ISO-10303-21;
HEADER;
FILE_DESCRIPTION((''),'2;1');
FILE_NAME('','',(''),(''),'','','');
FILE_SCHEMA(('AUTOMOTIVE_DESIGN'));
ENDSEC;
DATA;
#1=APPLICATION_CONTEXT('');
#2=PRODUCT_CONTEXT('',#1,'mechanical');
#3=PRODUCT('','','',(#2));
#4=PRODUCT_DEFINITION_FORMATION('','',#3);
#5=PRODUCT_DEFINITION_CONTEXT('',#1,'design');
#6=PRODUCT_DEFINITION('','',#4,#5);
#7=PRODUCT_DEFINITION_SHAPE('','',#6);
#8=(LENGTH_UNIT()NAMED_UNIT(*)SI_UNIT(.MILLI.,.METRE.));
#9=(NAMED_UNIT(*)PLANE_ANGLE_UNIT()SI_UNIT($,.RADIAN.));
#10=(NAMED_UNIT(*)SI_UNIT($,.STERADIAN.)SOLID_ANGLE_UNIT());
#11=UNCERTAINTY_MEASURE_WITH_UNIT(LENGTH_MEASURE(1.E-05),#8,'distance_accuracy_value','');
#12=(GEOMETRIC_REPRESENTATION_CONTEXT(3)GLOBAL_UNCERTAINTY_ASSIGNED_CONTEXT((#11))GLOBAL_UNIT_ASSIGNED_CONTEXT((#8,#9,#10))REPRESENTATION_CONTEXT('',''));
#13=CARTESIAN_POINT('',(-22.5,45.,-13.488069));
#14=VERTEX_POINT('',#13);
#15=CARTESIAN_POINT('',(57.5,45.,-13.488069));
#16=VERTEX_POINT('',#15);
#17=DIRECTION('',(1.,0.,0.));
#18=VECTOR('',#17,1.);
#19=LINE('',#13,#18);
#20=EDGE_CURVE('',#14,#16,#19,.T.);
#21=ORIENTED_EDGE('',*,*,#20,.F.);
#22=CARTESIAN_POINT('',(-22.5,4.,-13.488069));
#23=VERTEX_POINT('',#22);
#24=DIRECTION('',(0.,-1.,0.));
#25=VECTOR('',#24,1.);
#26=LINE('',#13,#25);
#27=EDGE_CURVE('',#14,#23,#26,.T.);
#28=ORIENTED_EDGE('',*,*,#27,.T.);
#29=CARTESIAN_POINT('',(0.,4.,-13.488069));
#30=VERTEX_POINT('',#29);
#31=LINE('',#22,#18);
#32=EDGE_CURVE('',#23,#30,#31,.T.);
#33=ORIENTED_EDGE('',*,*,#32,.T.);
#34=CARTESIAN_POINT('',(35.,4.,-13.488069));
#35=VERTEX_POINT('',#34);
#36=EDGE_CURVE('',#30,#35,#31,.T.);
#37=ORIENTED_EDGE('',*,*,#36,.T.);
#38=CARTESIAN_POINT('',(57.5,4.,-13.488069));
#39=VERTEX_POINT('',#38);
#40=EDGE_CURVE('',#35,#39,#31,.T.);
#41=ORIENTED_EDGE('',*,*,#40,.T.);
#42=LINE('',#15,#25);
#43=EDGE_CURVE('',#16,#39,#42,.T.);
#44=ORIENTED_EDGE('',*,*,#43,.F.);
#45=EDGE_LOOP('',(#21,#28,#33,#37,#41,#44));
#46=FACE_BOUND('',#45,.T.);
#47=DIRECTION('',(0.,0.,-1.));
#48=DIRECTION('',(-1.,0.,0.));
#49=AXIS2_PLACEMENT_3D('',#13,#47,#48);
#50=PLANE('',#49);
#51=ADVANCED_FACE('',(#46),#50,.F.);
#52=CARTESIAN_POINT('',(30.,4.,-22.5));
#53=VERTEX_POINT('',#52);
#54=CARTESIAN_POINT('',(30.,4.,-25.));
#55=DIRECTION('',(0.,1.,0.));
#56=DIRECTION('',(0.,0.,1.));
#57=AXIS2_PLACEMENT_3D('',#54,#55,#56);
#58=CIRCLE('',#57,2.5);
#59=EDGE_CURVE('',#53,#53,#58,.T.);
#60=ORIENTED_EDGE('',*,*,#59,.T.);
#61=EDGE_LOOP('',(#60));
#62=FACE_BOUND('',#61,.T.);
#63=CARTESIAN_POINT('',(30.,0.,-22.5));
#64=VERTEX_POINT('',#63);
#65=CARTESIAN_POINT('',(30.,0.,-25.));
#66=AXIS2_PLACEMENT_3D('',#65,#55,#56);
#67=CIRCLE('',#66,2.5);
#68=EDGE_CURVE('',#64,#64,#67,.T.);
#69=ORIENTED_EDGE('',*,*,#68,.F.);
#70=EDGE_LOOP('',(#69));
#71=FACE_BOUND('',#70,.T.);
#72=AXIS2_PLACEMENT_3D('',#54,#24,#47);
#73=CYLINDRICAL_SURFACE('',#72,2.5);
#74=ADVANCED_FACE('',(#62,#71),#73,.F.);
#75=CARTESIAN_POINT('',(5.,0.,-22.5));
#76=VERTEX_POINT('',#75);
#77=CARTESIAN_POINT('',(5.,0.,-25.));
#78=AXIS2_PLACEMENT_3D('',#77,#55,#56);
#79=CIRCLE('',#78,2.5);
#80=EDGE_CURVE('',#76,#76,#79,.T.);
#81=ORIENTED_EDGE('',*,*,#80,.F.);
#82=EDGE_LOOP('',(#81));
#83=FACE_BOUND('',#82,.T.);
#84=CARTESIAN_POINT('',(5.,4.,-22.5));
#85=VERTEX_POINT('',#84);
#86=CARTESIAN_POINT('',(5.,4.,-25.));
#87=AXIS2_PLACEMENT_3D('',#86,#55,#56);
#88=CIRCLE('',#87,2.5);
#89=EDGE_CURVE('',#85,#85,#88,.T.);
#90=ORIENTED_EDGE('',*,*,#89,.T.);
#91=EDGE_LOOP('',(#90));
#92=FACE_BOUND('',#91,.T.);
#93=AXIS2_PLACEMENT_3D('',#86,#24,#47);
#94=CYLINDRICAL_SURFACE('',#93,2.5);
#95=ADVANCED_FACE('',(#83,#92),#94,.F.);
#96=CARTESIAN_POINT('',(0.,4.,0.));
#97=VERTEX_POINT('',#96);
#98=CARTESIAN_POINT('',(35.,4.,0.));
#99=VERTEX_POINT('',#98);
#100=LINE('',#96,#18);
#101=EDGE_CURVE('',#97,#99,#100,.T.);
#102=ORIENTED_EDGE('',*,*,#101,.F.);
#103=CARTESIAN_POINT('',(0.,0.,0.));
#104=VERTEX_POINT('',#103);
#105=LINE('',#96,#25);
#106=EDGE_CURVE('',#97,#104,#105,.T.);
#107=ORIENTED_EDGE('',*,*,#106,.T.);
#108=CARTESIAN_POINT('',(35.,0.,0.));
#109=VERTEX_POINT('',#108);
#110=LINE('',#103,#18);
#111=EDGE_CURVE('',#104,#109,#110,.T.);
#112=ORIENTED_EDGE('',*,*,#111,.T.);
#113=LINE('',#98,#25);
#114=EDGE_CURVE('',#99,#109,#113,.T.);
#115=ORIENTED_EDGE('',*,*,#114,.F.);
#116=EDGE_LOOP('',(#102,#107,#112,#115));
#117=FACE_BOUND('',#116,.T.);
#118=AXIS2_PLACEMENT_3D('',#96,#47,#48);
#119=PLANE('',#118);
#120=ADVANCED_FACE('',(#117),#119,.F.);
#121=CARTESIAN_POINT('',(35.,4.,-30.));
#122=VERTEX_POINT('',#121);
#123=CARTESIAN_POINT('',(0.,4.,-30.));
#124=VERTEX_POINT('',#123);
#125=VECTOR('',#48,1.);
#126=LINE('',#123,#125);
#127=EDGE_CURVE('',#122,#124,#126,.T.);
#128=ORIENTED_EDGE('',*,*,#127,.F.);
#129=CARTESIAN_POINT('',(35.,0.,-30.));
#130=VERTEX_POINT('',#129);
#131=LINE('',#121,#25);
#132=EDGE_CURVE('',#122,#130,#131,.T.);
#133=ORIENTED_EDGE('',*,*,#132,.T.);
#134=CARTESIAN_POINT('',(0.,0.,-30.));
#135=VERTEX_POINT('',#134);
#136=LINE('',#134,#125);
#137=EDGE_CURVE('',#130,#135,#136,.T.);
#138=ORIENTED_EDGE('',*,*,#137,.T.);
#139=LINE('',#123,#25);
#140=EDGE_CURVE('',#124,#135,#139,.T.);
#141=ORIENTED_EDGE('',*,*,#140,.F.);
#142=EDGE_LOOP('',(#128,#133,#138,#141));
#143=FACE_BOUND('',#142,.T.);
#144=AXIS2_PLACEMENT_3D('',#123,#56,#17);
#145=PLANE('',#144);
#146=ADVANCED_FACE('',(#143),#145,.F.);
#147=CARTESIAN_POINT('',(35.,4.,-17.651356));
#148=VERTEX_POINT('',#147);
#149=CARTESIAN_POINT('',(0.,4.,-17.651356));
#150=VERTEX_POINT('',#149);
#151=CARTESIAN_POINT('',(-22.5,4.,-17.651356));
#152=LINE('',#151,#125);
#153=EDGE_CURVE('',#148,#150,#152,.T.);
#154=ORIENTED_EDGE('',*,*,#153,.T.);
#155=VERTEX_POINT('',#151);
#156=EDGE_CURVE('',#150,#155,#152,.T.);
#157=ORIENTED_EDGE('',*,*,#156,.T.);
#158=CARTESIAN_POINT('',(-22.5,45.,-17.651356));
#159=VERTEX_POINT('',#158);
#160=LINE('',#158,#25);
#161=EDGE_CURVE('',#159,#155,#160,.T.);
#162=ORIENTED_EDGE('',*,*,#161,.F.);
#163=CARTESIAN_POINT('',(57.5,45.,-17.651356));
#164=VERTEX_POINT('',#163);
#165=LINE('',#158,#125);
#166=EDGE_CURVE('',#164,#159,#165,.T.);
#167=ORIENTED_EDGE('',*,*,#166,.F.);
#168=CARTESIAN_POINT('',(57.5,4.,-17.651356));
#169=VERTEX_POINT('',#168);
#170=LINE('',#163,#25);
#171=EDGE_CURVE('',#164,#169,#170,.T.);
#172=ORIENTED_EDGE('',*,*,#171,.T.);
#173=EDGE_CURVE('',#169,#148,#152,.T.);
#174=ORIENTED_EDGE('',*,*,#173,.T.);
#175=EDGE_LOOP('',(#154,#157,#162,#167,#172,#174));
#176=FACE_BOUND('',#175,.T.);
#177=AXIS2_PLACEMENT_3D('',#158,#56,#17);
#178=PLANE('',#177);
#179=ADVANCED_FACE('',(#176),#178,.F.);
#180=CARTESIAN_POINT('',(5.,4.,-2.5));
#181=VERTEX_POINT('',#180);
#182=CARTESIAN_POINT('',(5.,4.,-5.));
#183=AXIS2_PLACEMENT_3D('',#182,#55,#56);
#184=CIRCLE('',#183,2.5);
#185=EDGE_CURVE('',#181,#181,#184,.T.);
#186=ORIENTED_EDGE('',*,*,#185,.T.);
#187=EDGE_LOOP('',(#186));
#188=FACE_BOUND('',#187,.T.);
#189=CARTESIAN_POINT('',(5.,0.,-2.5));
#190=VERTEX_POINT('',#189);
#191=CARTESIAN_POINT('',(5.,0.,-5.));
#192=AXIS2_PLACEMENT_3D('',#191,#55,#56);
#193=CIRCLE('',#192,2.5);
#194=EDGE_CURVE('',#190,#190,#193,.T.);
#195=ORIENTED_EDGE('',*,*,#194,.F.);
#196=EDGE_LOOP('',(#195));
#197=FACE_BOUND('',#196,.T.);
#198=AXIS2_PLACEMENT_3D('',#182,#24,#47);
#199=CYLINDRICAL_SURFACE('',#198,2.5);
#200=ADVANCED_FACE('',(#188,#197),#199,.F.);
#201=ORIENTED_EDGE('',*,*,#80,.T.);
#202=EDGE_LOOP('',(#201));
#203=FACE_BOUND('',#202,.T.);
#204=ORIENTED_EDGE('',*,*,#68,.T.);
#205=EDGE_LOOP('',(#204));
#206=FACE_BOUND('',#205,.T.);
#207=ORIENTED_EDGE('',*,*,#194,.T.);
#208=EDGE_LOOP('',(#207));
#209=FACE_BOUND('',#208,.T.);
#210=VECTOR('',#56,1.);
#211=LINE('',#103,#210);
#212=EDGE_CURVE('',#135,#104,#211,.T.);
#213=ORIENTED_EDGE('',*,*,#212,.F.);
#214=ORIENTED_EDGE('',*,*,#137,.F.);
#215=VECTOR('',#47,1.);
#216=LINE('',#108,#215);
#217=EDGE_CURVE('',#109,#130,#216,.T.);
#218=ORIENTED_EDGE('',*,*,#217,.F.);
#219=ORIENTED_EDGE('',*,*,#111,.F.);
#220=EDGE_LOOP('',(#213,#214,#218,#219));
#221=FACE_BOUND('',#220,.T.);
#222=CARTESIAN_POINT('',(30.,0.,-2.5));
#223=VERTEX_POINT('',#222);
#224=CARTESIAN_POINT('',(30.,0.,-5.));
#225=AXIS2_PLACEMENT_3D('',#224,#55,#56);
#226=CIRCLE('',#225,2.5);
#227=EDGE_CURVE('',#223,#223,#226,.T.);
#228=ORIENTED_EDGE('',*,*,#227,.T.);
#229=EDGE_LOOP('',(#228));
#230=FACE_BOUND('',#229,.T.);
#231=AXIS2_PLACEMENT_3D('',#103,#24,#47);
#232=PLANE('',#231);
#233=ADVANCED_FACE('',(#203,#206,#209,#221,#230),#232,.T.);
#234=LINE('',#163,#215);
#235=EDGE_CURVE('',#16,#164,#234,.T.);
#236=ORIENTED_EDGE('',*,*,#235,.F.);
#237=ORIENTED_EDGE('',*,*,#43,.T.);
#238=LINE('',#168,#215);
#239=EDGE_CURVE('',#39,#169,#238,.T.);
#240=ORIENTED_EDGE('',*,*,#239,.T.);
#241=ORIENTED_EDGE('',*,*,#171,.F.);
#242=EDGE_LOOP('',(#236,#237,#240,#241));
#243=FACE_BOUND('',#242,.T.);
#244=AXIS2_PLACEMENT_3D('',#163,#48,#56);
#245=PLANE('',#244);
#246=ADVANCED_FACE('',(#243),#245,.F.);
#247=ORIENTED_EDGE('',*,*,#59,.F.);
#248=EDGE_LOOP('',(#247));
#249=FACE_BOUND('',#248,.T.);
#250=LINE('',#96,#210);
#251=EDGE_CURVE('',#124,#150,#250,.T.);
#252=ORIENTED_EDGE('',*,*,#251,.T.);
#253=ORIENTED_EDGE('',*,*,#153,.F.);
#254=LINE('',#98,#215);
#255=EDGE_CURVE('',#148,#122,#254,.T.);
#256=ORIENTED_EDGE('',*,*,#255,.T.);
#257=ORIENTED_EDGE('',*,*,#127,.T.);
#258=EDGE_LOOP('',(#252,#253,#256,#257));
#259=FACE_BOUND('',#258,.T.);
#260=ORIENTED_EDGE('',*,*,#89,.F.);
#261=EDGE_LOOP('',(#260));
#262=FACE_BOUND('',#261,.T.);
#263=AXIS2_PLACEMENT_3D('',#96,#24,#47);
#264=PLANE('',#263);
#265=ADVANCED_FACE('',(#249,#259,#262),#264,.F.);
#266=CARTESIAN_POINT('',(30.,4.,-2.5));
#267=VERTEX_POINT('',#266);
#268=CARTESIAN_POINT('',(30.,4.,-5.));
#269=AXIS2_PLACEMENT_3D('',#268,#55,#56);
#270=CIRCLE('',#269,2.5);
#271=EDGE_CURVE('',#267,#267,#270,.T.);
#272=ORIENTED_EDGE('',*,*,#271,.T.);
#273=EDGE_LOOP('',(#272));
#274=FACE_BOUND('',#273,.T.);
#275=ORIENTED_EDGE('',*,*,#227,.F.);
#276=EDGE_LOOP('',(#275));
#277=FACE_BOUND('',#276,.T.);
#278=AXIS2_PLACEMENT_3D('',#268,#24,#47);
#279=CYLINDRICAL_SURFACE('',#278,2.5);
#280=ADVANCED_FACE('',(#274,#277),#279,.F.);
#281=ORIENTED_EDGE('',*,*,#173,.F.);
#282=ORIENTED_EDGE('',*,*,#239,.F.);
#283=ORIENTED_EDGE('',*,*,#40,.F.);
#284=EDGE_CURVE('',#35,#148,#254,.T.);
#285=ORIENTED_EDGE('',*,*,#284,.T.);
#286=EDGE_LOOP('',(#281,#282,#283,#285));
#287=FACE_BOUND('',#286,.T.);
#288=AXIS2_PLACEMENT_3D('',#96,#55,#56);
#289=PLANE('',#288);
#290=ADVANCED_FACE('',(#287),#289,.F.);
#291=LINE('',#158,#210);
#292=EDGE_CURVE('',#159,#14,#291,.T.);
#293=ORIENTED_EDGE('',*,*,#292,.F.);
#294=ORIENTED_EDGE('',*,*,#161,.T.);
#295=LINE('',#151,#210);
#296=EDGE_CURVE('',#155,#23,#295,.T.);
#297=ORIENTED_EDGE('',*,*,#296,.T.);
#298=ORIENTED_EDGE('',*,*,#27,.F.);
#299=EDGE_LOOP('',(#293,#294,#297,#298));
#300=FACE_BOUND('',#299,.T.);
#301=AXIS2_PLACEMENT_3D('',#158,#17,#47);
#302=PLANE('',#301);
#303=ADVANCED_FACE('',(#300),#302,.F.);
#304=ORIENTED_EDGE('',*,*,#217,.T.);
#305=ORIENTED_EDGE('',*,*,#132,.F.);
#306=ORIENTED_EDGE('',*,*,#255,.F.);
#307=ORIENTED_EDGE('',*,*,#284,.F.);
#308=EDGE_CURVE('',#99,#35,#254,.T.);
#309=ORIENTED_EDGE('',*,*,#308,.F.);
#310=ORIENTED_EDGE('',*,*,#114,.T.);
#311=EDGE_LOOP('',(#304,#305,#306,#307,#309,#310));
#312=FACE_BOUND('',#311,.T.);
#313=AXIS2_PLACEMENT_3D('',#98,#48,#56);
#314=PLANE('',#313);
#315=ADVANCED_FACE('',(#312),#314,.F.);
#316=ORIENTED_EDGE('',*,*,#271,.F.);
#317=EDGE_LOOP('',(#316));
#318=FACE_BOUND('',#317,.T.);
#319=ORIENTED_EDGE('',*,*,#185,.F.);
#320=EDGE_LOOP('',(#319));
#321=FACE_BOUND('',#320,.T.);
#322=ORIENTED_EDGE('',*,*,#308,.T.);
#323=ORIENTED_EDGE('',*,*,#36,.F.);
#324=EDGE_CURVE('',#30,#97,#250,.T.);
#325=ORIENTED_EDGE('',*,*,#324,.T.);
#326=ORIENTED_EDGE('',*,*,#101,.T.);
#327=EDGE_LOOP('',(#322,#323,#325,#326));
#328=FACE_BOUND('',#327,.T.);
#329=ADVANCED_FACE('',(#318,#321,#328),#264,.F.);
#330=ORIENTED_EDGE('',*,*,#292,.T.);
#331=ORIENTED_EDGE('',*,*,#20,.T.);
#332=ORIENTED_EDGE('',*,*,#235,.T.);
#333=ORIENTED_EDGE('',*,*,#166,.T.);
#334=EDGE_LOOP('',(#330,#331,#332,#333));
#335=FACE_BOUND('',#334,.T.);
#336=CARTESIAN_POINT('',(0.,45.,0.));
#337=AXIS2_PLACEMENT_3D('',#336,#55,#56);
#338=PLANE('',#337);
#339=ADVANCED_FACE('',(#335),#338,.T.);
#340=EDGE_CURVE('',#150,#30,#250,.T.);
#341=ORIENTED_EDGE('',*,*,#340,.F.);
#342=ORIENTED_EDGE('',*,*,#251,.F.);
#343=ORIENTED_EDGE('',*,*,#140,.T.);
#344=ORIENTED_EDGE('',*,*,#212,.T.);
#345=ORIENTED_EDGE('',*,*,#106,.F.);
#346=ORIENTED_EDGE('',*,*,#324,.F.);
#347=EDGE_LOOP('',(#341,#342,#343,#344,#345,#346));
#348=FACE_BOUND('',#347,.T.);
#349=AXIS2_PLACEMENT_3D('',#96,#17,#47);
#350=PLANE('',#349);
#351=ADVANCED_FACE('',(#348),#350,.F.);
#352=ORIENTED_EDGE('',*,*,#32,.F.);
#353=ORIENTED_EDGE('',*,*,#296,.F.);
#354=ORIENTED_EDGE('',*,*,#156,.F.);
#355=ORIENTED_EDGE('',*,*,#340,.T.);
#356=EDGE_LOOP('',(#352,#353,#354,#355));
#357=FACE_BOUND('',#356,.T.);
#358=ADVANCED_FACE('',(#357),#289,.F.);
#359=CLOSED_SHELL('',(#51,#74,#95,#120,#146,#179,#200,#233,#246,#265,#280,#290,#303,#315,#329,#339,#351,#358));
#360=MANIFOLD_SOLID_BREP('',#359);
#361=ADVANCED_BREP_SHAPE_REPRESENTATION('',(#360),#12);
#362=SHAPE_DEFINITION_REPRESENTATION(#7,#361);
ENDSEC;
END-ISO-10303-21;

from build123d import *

# Parameters (mm, degrees)
SKETCH1_W           = 35
SKETCH1_H           = 30
SKETCH1_R           = 2.5
BOSS_EXTRUDE1_DEPTH = 4
SKETCH2_W           = 80
SKETCH2_H           = 4.163287005
BOSS_EXTRUDE2_DEPTH = 41


with BuildPart() as part:
    # Sketch1 → Boss-Extrude1 (new body)
    with BuildSketch(Plane(origin=(0, 0, 0), x_dir=(1, 0, 0), z_dir=(0, 1, 0))):
        with Locations((17.5, 15)):
            Rectangle(SKETCH1_W, SKETCH1_H)
        with Locations(Location((5, 25, 0), (0, 0, 270))):
            Circle(SKETCH1_R, mode=Mode.SUBTRACT)
        with Locations(Location((30, 25, 0), (0, 0, 270))):
            Circle(SKETCH1_R, mode=Mode.SUBTRACT)
        with Locations(Location((5, 5, 0), (0, 0, 270))):
            Circle(SKETCH1_R, mode=Mode.SUBTRACT)
        with Locations(Location((30, 5, 0), (0, 0, 270))):
            Circle(SKETCH1_R, mode=Mode.SUBTRACT)
    extrude(amount=BOSS_EXTRUDE1_DEPTH)

    # Sketch2 → Boss-Extrude2 (add)
    with BuildSketch(Plane(origin=(0, 4, 0), x_dir=(1, 0, 0), z_dir=(0, 1, 0))):
        with Locations((17.5, 15.569712959)):
            Rectangle(SKETCH2_W, SKETCH2_H)
    extrude(amount=BOSS_EXTRUDE2_DEPTH)


solid = part.part
